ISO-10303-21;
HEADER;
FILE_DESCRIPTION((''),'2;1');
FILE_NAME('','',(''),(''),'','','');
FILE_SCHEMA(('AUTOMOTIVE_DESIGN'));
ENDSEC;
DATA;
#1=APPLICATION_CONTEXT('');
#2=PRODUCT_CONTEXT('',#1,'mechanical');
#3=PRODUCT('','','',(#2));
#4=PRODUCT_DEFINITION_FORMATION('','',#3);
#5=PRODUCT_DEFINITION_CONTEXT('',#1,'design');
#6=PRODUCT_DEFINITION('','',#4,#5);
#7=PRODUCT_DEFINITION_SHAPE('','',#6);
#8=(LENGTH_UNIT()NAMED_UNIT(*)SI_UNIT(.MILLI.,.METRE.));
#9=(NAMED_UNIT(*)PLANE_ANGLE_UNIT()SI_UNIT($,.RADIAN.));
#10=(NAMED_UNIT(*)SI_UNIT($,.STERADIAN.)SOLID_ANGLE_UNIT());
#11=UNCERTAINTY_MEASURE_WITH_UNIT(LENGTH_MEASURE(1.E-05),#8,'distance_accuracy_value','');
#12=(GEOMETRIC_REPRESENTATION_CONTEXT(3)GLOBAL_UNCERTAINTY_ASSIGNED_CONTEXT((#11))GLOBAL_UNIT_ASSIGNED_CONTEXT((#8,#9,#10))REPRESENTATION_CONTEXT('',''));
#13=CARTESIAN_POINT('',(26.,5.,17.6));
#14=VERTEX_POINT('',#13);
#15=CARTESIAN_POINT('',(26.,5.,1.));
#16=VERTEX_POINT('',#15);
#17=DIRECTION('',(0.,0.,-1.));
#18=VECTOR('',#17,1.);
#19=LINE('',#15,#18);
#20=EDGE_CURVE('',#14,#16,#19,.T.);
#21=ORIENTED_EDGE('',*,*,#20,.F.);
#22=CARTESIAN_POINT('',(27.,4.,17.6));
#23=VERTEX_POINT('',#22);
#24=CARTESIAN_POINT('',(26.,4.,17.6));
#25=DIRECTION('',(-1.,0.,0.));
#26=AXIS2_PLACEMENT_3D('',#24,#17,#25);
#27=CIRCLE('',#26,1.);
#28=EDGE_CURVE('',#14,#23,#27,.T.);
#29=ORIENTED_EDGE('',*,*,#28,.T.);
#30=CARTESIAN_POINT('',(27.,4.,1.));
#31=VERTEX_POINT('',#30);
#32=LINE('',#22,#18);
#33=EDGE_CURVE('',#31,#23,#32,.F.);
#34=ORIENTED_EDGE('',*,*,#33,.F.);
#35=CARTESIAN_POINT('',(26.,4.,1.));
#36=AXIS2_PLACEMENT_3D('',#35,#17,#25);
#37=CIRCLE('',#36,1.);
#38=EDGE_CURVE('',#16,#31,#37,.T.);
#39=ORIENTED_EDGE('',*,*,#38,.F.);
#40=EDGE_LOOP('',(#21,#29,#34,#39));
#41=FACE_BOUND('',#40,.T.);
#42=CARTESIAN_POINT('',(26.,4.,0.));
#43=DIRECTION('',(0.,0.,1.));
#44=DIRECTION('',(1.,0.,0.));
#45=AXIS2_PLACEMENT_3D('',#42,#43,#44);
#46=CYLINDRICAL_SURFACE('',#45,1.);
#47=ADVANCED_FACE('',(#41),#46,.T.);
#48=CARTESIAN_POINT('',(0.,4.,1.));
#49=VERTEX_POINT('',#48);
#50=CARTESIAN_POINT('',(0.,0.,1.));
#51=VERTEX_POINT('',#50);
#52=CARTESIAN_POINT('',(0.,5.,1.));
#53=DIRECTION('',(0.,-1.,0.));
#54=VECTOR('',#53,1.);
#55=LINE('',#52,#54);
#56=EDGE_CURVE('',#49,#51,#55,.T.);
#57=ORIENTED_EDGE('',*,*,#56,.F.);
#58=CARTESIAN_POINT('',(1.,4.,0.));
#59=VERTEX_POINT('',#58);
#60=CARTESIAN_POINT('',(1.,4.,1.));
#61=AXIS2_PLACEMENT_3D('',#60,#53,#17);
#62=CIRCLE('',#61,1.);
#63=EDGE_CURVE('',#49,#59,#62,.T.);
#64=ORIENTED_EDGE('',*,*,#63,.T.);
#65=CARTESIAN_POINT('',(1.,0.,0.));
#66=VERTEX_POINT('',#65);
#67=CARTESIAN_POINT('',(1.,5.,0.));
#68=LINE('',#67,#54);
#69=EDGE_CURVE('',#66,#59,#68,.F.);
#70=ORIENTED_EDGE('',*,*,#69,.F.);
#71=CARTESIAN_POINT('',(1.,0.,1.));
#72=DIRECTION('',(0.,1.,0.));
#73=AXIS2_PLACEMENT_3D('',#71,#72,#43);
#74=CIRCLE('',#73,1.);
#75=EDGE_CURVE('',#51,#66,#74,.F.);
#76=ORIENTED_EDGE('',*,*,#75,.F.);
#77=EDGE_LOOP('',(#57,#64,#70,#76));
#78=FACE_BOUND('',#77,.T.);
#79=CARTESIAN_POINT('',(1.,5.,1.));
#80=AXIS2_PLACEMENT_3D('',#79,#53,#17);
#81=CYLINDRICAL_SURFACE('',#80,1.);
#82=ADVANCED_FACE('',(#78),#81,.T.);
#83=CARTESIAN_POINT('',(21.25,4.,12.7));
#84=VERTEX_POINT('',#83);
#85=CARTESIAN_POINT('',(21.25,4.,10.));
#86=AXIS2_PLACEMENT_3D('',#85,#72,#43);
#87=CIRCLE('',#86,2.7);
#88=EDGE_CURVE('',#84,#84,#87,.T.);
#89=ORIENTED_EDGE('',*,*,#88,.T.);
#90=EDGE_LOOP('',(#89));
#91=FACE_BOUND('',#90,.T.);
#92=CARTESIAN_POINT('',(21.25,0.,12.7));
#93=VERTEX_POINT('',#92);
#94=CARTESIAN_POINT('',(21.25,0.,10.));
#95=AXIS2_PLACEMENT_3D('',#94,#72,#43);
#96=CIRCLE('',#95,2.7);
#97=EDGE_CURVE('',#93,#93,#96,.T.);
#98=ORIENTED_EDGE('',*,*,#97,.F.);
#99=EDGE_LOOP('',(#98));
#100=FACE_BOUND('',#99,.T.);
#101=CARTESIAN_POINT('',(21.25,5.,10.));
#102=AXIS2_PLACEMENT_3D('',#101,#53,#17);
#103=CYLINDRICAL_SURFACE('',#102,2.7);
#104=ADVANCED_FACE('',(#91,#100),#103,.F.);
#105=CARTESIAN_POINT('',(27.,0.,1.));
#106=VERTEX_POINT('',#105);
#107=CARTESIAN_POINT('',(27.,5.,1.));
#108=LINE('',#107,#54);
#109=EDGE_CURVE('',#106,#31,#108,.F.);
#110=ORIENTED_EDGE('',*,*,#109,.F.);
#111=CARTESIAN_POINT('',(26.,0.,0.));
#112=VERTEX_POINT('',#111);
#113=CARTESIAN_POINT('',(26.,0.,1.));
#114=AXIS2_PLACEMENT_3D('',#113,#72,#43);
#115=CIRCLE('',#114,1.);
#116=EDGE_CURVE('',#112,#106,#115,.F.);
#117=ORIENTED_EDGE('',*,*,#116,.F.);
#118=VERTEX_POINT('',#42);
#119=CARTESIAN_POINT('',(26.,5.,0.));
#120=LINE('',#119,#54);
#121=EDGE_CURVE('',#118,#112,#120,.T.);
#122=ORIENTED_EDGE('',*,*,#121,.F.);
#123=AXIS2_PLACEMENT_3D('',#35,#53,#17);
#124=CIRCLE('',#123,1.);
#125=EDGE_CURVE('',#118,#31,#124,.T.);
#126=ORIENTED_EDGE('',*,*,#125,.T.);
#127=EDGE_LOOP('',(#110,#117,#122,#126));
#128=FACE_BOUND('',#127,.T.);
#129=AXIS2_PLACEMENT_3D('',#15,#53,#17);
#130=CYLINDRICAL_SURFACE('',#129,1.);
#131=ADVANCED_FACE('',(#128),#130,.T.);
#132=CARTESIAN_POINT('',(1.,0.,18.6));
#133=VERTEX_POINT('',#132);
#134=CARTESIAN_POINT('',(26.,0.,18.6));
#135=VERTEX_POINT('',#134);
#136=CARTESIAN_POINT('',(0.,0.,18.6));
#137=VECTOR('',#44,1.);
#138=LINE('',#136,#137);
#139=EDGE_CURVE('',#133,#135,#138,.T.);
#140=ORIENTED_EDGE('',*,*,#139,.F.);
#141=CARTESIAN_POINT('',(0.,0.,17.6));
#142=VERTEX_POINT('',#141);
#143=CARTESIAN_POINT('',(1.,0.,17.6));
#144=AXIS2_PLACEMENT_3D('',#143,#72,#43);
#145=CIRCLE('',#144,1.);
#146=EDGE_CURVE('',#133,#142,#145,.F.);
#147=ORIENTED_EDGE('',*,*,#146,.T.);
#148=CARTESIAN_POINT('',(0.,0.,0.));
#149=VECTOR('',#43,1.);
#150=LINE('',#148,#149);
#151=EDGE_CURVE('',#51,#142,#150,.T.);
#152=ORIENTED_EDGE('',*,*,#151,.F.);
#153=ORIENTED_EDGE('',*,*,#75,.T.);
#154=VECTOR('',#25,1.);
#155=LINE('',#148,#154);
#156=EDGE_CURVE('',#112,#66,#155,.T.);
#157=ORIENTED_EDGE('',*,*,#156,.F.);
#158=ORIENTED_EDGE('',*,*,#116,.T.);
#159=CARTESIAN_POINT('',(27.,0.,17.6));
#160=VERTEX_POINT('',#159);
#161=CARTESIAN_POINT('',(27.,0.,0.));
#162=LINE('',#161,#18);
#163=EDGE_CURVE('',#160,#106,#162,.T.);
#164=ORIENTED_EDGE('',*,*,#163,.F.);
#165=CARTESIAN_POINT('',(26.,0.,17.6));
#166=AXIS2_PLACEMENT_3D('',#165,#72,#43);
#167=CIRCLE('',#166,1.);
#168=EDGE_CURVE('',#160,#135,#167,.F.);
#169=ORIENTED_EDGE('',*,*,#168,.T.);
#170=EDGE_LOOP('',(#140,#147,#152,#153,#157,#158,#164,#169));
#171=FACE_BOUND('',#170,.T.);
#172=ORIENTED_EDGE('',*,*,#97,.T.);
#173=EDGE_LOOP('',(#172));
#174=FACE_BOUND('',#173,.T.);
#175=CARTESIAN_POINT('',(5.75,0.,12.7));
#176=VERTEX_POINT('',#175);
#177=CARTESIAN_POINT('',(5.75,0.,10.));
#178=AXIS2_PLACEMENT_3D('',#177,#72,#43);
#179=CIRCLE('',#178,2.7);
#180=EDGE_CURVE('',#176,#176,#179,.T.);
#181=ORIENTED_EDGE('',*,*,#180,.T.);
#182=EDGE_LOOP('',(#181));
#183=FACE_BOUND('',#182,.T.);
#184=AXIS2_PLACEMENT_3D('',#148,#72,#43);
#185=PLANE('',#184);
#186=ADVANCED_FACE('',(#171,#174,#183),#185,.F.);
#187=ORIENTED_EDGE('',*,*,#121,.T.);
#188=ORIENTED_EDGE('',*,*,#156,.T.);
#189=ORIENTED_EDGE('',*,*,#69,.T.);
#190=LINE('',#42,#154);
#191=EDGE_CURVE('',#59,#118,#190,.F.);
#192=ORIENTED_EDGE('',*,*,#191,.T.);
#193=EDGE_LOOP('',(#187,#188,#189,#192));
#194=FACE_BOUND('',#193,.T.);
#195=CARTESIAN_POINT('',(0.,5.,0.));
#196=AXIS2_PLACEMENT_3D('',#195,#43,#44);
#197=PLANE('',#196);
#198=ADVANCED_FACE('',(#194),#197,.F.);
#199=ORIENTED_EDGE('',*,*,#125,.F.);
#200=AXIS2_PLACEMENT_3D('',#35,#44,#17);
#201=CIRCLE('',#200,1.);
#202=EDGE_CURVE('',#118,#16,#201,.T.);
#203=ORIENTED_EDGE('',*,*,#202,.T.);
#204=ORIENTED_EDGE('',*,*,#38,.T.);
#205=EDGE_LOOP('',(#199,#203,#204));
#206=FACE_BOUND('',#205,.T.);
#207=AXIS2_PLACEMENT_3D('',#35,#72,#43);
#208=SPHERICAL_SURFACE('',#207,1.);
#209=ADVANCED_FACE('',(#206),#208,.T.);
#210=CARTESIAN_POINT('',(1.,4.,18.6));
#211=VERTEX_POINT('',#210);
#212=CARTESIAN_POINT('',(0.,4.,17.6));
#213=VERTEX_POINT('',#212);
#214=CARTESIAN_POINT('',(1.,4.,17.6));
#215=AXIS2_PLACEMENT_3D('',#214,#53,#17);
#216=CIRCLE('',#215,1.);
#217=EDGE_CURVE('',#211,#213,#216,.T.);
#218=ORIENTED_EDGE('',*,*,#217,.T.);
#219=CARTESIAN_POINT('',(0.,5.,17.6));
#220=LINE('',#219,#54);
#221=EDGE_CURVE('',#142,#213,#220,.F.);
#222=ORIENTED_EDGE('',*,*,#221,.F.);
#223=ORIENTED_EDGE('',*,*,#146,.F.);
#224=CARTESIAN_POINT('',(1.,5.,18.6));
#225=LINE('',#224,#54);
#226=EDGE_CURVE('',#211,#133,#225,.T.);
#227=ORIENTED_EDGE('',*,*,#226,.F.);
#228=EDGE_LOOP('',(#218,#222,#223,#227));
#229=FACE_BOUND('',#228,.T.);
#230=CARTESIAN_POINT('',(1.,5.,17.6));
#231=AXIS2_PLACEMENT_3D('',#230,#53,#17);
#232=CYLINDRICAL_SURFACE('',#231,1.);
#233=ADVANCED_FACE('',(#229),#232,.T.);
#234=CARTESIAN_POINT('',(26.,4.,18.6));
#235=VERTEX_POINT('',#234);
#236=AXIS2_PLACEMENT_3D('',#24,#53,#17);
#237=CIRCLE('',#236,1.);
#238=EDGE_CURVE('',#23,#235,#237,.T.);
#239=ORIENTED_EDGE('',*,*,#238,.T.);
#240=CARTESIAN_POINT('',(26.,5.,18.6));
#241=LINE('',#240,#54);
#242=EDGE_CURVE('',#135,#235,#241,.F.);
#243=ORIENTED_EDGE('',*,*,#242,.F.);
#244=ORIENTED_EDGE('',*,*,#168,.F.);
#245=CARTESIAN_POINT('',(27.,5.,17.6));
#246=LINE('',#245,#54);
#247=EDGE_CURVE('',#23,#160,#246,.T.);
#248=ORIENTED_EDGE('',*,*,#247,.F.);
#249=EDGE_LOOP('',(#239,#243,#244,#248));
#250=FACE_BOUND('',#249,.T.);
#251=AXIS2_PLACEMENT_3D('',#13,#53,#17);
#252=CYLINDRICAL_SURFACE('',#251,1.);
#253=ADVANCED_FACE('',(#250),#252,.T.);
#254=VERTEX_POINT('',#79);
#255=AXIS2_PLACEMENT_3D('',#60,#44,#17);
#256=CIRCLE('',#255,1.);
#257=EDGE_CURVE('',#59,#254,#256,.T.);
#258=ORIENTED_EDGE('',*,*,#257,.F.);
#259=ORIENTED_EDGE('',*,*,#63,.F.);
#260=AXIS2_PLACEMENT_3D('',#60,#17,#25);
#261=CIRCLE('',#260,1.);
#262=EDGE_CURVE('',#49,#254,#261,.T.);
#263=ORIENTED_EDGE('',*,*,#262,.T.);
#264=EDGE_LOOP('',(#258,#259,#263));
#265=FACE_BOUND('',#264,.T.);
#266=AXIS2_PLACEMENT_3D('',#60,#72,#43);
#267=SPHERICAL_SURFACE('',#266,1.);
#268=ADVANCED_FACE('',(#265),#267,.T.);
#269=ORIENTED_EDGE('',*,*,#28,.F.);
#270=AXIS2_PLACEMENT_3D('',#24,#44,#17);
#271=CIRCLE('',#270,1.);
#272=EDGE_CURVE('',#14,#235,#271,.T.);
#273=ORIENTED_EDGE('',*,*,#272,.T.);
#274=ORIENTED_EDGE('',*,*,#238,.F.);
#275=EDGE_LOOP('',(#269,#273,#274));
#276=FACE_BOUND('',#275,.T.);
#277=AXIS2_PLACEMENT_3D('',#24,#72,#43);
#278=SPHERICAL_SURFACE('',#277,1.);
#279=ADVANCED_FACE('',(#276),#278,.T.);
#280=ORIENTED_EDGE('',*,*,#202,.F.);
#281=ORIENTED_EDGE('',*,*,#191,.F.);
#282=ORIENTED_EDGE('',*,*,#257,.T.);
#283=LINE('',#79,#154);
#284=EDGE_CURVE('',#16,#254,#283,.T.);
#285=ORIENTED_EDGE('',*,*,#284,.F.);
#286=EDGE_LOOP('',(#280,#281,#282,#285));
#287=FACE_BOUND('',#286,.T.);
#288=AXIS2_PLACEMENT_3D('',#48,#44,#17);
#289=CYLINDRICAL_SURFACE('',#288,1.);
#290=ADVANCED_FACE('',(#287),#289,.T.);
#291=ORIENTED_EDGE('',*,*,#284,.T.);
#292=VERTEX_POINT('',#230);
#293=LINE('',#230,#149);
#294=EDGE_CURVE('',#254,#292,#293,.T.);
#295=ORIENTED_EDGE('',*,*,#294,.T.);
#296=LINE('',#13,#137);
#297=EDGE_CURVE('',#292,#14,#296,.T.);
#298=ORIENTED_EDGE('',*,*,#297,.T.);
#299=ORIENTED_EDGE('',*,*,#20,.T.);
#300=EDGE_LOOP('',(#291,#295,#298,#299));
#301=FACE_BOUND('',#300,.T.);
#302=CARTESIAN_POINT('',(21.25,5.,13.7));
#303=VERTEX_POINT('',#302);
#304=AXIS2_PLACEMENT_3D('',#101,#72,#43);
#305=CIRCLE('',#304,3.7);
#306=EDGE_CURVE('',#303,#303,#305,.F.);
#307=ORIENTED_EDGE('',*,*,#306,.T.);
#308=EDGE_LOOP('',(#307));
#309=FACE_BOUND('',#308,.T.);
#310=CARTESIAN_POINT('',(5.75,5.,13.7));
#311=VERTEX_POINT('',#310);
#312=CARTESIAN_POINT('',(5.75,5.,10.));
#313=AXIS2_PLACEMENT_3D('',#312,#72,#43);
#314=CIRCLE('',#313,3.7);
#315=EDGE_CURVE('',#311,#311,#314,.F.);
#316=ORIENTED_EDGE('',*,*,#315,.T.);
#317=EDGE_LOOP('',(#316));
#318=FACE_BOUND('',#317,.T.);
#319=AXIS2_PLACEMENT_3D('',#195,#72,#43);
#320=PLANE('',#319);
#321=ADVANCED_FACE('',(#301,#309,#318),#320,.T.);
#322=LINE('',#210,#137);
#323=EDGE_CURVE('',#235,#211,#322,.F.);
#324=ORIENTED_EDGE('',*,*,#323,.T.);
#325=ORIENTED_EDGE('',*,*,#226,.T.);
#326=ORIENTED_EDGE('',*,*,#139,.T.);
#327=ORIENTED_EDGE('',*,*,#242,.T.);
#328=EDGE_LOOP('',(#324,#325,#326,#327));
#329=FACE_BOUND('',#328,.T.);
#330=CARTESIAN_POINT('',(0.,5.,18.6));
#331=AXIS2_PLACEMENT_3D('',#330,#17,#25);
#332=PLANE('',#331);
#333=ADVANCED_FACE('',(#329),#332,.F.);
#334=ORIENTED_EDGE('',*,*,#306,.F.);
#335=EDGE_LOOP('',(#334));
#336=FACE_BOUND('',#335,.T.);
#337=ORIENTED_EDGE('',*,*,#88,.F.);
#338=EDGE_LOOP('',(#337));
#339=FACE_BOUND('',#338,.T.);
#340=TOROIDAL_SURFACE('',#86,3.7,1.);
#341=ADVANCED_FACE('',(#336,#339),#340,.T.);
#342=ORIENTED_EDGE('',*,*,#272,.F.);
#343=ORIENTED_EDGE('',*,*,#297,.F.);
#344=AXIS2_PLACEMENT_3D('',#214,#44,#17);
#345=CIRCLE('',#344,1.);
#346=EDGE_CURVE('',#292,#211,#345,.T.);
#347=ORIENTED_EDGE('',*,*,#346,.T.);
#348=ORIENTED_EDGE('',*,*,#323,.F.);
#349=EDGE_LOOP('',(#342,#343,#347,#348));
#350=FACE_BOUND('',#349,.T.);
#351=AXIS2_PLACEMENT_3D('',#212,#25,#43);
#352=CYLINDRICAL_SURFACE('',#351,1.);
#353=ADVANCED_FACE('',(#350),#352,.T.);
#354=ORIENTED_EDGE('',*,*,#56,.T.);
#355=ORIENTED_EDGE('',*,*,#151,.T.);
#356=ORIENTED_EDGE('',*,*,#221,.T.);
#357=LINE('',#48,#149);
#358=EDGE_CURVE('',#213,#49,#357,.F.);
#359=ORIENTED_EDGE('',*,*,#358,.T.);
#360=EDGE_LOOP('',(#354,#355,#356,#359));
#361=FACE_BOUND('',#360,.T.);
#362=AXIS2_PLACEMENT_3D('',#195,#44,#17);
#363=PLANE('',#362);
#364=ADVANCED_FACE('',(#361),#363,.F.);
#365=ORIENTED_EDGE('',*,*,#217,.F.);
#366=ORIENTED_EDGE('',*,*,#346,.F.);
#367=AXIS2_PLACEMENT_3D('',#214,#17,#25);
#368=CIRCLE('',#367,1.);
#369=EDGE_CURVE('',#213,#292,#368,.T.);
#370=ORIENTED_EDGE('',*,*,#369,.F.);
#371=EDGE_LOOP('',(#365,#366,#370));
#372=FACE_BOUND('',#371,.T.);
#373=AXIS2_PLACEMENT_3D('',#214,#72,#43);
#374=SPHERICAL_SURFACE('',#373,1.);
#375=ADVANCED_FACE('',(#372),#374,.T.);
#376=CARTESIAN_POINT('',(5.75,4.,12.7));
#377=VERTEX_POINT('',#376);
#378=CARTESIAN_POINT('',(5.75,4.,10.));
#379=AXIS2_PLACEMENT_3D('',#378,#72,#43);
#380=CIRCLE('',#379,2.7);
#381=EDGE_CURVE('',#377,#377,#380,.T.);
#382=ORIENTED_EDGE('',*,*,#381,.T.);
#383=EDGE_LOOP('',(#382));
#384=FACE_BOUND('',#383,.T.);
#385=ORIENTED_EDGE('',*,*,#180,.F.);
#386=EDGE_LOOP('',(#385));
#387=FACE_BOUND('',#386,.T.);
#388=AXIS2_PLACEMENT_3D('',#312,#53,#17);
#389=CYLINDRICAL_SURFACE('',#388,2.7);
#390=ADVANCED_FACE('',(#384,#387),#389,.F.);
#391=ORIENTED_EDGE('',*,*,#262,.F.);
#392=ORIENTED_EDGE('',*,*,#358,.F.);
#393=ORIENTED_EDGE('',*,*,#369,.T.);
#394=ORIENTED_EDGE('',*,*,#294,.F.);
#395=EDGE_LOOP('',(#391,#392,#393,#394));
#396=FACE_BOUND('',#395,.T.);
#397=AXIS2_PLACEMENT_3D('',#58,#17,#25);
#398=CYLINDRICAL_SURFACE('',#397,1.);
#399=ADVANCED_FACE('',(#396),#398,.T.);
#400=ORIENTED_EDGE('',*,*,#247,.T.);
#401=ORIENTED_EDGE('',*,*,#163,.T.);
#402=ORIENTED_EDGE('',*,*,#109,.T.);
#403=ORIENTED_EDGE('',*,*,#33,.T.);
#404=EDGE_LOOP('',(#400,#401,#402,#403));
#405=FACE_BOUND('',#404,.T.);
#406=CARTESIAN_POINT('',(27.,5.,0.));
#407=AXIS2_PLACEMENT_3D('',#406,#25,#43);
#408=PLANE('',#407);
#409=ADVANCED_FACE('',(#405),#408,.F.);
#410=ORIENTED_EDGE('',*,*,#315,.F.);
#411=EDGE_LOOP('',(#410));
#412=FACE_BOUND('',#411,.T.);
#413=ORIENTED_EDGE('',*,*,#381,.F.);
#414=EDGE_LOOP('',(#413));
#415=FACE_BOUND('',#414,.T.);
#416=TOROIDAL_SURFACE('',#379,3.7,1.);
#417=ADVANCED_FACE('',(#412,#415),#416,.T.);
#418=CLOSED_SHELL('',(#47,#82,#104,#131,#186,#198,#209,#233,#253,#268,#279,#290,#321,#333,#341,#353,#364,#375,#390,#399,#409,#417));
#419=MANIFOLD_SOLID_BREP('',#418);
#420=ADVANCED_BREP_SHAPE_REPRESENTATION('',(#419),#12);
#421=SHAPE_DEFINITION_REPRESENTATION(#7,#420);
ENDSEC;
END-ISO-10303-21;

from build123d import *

# Parameters (mm, degrees)
SKETCH_1_W      = 27
SKETCH_1_H      = 18.6
SKETCH_1_R      = 2.7
EXTRUDE_1_DEPTH = 5
FILLET_2_R      = 1
FILLET_3_R      = 1


with BuildPart() as part:
    # 草图1 → 凸台-拉伸1 (new body)
    with BuildSketch(Plane(origin=(0, 0, 0), x_dir=(1, 0, 0), z_dir=(0, 1, 0))):
        with Locations((13.5, -9.3)):
            Rectangle(SKETCH_1_W, SKETCH_1_H)
        with Locations(Location((5.75, -10, 0), (0, 0, 270))):
            Circle(SKETCH_1_R, mode=Mode.SUBTRACT)
        with Locations(Location((21.25, -10, 0), (0, 0, 270))):
            Circle(SKETCH_1_R, mode=Mode.SUBTRACT)
    extrude(amount=EXTRUDE_1_DEPTH)

    # 圆角2
    fillet_2_edges = [part.edges().sort_by_distance(p)[0] for p in [
        (0, 2.5, 0),
        (27, 2.5, 0),
        (27, 2.5, 18.6),
        (0, 2.5, 18.6),
    ]]
    fillet(fillet_2_edges, radius=FILLET_2_R)

    # 圆角3
    fillet_3_edges = [part.edges().sort_by_distance(p)[0] for p in [
        (5.75, 5, 7.3),
        (21.25, 5, 7.3),
        (0, 5, 9.3),
        (13.5, 5, 0),
        (13.5, 5, 18.6),
        (27, 5, 9.3),
        (26.707106781, 5, 18.307106781),
        (0.292893219, 5, 18.307106781),
        (26.707106781, 5, 0.292893219),
        (0.292893219, 5, 0.292893219),
    ]]
    fillet(fillet_3_edges, radius=FILLET_3_R)


solid = part.part
